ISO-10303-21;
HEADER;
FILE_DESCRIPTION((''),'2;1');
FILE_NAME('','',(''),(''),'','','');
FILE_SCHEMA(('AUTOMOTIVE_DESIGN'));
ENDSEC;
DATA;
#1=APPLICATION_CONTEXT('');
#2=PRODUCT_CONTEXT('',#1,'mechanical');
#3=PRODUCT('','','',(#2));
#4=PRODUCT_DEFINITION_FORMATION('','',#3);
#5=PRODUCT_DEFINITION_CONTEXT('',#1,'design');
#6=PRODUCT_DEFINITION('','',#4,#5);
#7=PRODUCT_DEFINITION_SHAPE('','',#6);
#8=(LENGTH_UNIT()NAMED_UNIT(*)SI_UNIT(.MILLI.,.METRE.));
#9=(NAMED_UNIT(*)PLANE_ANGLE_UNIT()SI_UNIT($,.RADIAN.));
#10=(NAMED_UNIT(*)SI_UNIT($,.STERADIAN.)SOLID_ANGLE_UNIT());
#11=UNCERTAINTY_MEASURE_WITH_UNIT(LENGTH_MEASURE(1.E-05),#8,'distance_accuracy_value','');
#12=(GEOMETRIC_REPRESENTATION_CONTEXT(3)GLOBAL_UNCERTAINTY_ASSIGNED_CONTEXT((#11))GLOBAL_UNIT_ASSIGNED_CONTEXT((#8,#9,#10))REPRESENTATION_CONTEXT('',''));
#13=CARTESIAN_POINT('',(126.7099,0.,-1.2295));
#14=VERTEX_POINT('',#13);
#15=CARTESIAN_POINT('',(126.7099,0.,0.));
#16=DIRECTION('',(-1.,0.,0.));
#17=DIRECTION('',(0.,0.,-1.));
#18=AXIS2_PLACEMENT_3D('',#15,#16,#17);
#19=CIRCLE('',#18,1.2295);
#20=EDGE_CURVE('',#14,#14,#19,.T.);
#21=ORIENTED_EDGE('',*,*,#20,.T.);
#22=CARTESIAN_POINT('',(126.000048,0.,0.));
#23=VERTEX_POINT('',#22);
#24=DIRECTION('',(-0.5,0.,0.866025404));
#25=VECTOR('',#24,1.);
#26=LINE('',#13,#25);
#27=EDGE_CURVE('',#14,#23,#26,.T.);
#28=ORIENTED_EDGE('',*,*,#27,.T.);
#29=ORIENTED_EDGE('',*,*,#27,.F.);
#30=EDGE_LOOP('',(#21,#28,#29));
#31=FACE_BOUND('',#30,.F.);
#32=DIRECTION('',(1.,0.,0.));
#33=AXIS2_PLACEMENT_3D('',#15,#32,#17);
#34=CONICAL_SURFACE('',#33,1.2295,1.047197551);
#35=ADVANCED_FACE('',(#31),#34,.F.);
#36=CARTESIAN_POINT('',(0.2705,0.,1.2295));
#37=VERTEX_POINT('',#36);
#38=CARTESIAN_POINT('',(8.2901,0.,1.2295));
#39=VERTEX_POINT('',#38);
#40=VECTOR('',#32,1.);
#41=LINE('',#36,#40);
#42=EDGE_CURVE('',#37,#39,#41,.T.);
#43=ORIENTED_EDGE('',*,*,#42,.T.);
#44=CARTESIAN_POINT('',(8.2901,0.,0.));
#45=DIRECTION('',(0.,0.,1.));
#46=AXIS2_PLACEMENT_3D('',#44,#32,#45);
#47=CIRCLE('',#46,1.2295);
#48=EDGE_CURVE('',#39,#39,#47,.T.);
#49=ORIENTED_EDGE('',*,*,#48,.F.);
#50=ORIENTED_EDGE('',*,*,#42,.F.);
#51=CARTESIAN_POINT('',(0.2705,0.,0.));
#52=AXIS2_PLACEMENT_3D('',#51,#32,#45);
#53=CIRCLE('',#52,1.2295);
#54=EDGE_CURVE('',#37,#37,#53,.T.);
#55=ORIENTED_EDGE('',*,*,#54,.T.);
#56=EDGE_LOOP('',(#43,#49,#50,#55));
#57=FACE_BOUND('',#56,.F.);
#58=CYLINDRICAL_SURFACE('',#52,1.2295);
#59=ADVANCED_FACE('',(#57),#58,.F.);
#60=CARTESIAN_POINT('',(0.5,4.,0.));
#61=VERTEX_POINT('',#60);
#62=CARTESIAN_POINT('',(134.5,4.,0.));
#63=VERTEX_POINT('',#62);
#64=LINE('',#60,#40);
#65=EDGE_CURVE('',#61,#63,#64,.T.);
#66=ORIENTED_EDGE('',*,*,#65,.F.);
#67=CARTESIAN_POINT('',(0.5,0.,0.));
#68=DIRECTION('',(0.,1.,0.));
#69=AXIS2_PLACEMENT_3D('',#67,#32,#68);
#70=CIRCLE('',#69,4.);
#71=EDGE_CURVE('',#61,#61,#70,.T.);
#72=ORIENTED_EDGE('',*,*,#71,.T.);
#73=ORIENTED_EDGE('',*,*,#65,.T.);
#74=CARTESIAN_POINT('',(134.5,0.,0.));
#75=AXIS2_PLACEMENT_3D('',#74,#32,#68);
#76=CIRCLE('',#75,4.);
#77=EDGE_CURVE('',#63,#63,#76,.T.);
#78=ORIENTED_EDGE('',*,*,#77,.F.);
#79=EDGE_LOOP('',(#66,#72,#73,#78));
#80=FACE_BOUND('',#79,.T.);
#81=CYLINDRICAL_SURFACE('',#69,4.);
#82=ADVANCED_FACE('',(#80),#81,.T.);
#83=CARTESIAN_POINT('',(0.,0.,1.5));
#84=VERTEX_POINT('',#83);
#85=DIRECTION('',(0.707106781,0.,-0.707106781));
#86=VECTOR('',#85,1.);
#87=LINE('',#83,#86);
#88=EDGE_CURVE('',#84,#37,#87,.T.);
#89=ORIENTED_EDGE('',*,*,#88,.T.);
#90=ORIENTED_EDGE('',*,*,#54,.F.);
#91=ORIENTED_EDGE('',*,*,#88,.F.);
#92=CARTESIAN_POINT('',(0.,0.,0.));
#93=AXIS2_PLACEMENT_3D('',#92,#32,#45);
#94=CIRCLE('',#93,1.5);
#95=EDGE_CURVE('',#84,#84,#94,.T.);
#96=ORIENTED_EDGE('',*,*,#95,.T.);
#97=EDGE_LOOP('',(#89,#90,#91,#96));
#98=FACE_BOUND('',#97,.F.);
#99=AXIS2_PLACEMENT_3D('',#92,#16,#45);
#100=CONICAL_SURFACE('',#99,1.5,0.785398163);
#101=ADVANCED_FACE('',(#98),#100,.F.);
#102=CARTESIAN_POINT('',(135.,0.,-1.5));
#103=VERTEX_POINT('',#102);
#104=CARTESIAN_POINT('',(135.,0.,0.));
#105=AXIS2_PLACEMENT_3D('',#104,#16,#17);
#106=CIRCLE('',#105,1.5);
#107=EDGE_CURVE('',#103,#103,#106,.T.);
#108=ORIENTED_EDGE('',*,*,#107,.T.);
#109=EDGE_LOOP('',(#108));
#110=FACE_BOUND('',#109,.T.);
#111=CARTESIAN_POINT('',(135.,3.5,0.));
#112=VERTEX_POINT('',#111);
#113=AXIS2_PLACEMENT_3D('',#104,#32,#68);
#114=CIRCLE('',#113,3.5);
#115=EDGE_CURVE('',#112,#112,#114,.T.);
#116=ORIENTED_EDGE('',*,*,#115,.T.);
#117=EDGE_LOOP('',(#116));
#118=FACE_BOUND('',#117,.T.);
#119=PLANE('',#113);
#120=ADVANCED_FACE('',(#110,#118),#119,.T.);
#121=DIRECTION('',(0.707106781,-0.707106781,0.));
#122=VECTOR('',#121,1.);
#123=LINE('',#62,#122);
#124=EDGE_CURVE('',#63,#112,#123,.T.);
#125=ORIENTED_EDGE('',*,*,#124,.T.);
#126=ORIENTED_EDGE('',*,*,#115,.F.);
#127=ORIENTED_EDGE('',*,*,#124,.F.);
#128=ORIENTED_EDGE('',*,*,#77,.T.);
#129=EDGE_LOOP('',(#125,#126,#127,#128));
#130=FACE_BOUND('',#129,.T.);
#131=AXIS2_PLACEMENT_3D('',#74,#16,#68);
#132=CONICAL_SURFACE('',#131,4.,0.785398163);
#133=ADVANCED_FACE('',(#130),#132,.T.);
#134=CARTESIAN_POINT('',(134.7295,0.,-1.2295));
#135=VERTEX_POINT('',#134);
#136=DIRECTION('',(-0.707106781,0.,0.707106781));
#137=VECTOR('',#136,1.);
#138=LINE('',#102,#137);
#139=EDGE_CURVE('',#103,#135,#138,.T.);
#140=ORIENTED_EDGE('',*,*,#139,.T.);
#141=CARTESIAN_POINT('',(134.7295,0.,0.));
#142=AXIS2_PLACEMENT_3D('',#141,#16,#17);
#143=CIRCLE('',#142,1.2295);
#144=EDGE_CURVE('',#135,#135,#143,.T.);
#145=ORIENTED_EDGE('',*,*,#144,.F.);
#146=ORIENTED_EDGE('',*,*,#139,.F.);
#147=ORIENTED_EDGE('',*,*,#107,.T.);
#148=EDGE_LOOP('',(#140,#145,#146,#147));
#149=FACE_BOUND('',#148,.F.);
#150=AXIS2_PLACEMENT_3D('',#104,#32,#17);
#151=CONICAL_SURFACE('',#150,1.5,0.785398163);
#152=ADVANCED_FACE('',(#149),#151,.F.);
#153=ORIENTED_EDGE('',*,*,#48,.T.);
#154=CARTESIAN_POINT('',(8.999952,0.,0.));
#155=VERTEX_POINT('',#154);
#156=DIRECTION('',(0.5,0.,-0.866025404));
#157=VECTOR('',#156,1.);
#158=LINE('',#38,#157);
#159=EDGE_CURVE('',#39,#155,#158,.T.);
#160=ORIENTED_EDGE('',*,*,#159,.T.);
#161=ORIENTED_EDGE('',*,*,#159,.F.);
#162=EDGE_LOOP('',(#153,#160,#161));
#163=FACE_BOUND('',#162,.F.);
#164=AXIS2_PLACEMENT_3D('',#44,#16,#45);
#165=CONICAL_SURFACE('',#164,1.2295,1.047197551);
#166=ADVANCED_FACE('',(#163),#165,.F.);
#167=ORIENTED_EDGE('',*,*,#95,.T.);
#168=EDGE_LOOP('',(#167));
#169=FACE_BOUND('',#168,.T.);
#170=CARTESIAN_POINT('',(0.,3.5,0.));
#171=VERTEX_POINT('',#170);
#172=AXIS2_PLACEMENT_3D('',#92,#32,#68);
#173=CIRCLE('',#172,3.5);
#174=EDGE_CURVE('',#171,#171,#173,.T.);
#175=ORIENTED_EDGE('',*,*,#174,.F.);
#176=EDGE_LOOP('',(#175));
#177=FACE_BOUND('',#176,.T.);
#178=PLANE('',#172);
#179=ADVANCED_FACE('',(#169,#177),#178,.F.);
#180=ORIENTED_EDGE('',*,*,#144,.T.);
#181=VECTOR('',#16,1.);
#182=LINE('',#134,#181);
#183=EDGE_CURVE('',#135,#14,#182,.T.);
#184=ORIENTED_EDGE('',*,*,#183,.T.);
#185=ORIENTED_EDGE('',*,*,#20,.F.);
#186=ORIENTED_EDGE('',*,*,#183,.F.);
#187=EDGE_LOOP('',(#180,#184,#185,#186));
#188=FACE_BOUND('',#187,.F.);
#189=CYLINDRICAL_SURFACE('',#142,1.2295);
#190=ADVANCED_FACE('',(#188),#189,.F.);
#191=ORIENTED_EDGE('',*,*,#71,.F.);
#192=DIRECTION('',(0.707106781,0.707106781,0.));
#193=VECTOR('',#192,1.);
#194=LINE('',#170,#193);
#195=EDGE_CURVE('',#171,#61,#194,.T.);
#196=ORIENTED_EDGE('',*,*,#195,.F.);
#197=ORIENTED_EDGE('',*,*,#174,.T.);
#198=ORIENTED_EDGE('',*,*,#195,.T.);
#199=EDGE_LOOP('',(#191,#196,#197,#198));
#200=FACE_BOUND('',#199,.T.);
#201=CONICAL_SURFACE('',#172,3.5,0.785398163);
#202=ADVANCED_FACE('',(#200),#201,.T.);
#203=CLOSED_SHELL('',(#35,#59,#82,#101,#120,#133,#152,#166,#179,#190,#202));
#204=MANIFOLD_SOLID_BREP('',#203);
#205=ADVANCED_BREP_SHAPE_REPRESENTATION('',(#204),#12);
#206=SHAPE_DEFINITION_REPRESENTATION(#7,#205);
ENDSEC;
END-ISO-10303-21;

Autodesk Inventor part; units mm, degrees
ref_plane "YZ Plane" through (0, 0, 0) normal (1, 0, 0) x (0, 1, 0)
ref_plane "XZ Plane" through (0, 0, 0) normal (0, 1, 0) x (-1, 0, 0)
ref_plane "XY Plane" through (0, 0, 0) normal (0, 0, 1) x (1, 0, 0)
sketch "Sketch_1" plane through (0, 0, 0) normal (0, 0, 1) x (1, 0, 0)
  line L0 (135, 0) -> (0, 0)
  line L1 (0, 0) -> (0, 3.5)
  line L2 (0, 3.5) -> (0.5, 4)
  line L3 (0.5, 4) -> (134.5, 4)
  line L4 (134.5, 4) -> (135, 3.5)
  line L5 (135, 3.5) -> (135, 0)
  line L6 (135, 0) -> (0, 0)
revolve "Revolution1" add sketch "Sketch_1" angle 360 about axis through (135, 0, 0) along (1, 0, 0)
sketch "Sketch2" plane through (0, 0, 0) normal (-1, 0, 0) x (0, 0, 1)
  point P0 (0, 0)
hole "Hole1" at (0, 0, 0) direction (1, 0, 0) diameter 2.459 depth 8.2901 tip angle 120 countersink diameter 3 countersink angle 90 thread size "M3x0.5" class "6H" standard "ISO Metric profile"
sketch "Sketch3" plane through (135, 0, 0) normal (1, 0, 0) x (0, 0, -1)
  point P0 (0, 0)
hole "Hole2" at (135, 0, 0) direction (-1, 0, 0) diameter 2.459 depth 8.2901 tip angle 120 countersink diameter 3 countersink angle 90 thread size "M3x0.5" class "6H" standard "ISO Metric profile"
properties part number "AETTF8-135-M3-N3" material "アルミニウム 2014-T4"
